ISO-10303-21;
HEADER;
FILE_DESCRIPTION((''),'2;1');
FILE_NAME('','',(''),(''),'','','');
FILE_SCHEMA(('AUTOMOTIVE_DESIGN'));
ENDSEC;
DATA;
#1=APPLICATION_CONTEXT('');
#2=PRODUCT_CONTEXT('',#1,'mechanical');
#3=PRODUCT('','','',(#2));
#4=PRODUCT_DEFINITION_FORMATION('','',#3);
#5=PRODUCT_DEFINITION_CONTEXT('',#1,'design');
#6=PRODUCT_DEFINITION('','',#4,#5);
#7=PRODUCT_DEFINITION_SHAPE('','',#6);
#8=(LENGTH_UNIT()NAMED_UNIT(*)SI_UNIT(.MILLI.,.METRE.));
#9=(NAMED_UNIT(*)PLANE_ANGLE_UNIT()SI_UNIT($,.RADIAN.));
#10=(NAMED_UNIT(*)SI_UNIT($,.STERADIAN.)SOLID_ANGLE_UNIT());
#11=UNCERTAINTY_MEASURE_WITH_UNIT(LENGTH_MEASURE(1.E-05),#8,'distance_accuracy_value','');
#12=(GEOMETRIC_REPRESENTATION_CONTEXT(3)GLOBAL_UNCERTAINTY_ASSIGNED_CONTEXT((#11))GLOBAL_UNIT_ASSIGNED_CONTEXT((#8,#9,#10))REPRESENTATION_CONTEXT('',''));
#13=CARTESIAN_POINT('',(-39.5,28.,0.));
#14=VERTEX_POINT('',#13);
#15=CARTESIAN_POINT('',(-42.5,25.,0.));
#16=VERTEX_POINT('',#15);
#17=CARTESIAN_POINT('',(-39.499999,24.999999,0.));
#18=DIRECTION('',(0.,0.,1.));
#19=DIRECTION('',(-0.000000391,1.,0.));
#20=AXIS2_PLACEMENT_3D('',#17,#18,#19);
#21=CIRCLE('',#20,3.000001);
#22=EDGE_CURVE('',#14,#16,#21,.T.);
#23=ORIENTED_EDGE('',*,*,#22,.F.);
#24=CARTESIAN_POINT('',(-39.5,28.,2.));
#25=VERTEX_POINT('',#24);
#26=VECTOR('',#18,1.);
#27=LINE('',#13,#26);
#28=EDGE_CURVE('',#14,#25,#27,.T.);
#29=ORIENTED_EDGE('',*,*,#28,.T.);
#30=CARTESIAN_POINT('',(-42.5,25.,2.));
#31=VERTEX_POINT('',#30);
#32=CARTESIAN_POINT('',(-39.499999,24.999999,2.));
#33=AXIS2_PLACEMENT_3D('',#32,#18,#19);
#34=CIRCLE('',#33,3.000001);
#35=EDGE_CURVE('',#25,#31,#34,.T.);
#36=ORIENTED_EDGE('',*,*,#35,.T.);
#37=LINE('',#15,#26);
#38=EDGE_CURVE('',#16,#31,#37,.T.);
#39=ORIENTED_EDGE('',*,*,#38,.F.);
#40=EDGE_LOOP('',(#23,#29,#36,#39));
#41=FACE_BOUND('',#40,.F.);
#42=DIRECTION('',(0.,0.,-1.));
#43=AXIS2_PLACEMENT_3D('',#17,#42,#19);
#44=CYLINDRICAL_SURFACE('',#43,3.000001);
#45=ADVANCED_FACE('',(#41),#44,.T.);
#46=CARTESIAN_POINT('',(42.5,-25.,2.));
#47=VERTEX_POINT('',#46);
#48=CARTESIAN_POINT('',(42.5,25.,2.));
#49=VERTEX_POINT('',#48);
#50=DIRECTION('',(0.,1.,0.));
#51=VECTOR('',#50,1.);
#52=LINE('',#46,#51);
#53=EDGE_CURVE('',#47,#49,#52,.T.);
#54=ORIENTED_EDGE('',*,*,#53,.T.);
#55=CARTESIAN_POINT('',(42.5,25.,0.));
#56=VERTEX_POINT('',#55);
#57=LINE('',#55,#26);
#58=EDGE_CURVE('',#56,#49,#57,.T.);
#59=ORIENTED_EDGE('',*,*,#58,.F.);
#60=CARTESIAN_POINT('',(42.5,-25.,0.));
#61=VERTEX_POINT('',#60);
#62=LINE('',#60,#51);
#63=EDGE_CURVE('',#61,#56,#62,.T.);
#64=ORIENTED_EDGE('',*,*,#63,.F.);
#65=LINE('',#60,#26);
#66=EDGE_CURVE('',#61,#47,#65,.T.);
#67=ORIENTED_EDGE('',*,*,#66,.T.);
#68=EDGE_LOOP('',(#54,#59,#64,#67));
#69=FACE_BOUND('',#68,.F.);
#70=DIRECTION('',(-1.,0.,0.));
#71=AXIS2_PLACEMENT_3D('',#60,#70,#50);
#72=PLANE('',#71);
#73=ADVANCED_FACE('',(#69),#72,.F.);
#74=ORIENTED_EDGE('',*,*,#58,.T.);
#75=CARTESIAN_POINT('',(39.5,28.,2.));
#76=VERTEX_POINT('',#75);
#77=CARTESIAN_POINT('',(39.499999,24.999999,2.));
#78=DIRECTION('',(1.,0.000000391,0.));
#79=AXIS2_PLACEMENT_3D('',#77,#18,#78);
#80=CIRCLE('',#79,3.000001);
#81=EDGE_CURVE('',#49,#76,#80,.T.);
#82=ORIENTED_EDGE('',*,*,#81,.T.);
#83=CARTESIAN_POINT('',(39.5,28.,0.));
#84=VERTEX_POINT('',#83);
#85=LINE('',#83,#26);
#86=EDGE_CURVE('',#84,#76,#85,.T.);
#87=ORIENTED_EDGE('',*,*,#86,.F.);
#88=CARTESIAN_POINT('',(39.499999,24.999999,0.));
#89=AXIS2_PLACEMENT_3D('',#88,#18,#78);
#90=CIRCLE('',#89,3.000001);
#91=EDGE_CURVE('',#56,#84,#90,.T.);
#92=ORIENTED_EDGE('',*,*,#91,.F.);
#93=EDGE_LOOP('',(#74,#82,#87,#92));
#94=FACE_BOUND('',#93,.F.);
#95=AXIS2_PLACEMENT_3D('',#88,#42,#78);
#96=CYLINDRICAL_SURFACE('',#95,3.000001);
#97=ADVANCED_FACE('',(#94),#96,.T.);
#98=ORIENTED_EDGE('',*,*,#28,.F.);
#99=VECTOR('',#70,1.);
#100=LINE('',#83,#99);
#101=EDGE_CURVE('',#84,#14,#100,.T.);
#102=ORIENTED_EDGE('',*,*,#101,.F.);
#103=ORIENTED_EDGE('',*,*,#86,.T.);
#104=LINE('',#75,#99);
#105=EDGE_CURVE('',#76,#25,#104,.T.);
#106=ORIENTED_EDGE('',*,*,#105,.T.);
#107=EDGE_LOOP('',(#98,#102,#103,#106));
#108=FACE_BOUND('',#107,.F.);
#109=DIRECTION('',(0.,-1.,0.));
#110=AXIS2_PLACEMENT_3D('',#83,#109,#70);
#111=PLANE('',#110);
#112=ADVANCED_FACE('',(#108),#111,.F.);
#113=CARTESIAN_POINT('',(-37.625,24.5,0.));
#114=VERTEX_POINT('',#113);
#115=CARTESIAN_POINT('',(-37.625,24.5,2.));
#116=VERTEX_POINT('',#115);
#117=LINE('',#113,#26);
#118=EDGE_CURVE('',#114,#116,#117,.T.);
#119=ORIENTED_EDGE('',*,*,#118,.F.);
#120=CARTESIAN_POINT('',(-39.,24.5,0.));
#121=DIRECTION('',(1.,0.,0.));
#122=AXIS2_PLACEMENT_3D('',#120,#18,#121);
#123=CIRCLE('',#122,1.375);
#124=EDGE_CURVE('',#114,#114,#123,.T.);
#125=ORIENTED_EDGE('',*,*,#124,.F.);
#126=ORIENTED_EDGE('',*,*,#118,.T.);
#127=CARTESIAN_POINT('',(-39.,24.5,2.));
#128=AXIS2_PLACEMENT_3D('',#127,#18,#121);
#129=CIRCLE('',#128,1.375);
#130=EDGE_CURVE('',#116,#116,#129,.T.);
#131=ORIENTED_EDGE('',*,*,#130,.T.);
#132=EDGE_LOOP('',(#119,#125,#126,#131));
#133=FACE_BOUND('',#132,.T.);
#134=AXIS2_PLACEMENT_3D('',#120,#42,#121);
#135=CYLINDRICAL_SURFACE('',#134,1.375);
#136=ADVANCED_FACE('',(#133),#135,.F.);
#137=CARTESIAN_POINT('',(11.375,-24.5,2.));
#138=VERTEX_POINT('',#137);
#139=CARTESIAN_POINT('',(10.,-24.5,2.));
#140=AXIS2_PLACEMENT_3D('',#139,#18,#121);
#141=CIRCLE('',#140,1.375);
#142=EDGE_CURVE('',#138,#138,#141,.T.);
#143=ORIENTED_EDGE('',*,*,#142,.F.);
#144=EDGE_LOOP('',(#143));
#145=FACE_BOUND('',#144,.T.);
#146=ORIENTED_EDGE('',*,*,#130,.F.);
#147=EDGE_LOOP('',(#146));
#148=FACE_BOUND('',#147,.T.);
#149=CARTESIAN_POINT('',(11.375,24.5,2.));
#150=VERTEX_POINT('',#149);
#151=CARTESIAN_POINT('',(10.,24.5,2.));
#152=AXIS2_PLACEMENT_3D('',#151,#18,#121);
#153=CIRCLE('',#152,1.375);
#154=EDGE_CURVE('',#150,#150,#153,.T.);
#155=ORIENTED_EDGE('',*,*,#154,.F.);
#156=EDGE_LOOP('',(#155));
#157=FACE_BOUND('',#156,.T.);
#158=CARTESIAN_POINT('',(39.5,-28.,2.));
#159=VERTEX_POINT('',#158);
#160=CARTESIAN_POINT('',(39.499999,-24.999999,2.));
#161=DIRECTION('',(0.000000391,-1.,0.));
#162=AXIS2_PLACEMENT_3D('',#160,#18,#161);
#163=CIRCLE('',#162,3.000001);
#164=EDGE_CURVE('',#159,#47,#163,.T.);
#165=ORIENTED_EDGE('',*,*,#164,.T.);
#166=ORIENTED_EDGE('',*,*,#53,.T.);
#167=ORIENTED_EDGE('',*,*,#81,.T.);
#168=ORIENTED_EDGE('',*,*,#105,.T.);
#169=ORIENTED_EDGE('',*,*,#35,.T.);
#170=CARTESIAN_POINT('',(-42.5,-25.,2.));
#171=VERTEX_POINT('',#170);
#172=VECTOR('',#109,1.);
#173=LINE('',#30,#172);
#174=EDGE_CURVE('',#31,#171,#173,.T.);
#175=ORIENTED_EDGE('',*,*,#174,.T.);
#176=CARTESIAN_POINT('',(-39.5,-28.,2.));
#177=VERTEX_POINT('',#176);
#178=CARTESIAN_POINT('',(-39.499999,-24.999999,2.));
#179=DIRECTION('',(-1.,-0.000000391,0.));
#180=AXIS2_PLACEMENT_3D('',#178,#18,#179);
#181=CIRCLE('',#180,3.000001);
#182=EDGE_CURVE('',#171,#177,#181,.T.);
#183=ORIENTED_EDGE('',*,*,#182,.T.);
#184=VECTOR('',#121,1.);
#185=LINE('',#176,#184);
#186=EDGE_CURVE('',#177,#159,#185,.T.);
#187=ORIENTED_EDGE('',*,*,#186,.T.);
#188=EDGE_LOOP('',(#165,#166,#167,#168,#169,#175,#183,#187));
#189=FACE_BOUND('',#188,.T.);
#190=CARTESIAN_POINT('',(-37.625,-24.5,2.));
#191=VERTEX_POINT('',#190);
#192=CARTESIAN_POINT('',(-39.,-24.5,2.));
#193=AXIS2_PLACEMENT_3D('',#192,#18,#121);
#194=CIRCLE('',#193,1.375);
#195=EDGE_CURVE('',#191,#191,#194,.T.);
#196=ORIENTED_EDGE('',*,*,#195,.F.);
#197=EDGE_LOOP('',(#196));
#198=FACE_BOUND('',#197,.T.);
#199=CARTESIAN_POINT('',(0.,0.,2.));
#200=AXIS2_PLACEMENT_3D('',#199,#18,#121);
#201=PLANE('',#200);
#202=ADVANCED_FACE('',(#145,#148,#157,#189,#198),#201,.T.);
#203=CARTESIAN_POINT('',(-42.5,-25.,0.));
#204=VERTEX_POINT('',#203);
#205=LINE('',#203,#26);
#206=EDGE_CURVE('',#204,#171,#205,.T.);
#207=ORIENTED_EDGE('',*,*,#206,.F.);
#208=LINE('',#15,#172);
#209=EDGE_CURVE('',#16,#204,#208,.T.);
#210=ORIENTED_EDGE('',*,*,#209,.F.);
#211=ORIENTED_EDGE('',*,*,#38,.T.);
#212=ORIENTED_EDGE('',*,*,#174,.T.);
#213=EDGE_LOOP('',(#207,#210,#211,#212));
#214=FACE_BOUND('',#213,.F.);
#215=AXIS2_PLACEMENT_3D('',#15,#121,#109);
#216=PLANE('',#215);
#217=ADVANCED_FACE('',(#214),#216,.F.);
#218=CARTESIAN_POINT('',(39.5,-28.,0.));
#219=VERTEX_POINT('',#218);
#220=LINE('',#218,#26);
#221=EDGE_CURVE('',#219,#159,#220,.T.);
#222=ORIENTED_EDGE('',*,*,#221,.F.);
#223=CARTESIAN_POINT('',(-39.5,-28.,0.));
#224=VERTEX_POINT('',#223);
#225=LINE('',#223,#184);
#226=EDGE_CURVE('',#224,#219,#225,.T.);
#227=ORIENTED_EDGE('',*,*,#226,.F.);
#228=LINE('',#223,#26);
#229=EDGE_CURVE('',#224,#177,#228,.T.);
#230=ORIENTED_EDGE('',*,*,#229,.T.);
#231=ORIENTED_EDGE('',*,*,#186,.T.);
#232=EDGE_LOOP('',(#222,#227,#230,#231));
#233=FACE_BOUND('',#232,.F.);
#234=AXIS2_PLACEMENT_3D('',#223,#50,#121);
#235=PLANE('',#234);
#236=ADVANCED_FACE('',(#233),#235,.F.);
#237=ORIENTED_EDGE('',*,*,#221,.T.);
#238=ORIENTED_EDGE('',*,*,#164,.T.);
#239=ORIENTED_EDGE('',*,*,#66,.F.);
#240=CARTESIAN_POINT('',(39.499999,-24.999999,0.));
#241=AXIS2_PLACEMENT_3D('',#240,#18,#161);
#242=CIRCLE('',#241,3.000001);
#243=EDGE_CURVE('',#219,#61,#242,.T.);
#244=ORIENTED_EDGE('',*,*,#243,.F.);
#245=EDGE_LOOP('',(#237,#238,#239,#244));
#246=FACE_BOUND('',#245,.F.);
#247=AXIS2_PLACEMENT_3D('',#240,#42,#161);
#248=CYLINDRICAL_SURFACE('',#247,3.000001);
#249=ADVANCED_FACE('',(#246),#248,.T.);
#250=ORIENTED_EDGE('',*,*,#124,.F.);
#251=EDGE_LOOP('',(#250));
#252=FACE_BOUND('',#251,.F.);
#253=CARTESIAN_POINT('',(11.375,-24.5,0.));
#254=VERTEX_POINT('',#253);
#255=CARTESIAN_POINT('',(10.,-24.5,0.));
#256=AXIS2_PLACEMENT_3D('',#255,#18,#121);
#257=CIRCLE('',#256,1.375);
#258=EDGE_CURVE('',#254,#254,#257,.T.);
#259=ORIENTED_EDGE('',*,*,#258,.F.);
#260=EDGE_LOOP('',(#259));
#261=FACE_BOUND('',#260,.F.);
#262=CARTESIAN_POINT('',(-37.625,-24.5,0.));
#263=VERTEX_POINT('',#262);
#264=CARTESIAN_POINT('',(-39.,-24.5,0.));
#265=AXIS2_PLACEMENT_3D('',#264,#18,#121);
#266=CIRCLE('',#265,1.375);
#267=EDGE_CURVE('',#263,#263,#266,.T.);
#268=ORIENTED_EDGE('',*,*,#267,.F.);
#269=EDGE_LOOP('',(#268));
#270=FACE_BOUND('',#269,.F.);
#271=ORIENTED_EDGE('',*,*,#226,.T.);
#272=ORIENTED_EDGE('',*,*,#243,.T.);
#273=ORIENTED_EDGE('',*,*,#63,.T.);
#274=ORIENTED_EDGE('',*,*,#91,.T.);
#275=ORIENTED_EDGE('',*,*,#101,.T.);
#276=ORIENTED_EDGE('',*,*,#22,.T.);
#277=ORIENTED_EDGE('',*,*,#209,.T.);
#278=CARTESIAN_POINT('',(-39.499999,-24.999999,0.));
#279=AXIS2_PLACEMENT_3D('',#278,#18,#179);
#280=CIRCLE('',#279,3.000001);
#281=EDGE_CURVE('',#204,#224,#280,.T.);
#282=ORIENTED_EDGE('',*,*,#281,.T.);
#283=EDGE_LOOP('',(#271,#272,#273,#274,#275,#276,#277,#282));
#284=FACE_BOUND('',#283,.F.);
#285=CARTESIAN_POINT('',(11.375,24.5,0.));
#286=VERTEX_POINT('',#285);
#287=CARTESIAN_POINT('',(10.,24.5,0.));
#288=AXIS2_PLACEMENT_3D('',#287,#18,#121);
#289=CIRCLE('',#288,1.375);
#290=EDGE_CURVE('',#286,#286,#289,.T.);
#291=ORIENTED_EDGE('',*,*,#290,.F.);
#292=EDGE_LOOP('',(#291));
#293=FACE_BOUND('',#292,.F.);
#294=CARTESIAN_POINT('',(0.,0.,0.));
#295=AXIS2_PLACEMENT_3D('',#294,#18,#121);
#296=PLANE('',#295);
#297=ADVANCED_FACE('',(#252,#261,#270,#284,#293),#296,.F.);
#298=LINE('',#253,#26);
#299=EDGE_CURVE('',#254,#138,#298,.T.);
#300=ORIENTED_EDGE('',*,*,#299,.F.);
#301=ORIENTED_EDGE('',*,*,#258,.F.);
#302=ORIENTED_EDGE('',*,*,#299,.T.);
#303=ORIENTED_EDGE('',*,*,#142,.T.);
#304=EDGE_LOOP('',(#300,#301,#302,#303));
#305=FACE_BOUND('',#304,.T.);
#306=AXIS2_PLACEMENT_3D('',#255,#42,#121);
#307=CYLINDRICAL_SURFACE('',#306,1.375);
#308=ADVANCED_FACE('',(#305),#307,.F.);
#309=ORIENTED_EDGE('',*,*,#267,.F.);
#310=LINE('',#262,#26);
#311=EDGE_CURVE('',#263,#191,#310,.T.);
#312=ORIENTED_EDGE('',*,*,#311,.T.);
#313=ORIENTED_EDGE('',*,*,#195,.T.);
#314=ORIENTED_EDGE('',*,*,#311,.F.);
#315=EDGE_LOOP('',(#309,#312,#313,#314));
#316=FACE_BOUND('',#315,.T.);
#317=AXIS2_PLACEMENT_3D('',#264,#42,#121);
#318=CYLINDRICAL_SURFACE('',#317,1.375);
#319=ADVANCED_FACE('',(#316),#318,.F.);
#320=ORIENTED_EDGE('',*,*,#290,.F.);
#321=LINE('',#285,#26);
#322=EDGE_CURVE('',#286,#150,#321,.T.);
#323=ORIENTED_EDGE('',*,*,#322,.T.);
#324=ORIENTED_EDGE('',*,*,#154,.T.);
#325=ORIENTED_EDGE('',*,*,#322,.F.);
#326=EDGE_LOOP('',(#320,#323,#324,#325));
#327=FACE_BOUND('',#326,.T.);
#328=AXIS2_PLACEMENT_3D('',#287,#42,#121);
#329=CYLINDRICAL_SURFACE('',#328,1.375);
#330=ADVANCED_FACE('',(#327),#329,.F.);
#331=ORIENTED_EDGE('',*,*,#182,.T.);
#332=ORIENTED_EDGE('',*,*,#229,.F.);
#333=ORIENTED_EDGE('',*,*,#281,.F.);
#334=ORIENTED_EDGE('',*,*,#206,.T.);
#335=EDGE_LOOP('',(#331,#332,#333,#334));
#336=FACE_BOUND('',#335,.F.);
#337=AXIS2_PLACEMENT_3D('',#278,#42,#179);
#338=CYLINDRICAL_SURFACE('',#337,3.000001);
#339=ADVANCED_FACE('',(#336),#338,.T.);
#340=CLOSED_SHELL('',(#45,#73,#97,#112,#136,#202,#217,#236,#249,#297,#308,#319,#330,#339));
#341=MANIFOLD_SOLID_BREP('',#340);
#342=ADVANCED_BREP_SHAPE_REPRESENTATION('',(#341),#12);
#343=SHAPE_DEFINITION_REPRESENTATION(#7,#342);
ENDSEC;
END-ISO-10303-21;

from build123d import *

# Parameters (mm, degrees)
F0_R     = 3.1
F0_R_2   = 1.375
F1_DEPTH = 2


with BuildPart() as f1:
    # F0 (on Top) → F1 (new body)
    with BuildSketch(Plane.XY):
        with BuildLine():
            Line((39.5, 28), (-39.5, 28))
            ThreePointArc((-39.5, 28), (-41.62132, 27.12132), (-42.5, 25))
            Line((-42.5, 25), (-42.5, -25))
            ThreePointArc((-42.5, -25), (-41.62132, -27.12132), (-39.5, -28))
            Line((-39.5, -28), (39.5, -28))
            ThreePointArc((39.5, -28), (41.62132, -27.12132), (42.5, -25))
            Line((42.5, -25), (42.5, 25))
            ThreePointArc((42.5, 25), (41.62132, 27.12132), (39.5, 28))
        make_face()
        with Locations((-39, -24.5)):
            Circle(F0_R, mode=Mode.SUBTRACT)
        with Locations((10, -24.5)):
            Circle(F0_R, mode=Mode.SUBTRACT)
        with Locations((-39, 24.5)):
            Circle(F0_R, mode=Mode.SUBTRACT)
        with Locations((10, 24.5)):
            Circle(F0_R, mode=Mode.SUBTRACT)
        with Locations((10, 24.5)):
            Circle(F0_R)
        with Locations((10, 24.5)):
            Circle(F0_R_2, mode=Mode.SUBTRACT)
        with Locations((10, -24.5)):
            Circle(F0_R)
        with Locations((10, -24.5)):
            Circle(F0_R_2, mode=Mode.SUBTRACT)
        with Locations((-39, -24.5)):
            Circle(F0_R)
        with Locations((-39, -24.5)):
            Circle(F0_R_2, mode=Mode.SUBTRACT)
        with Locations((-39, 24.5)):
            Circle(F0_R)
        with Locations((-39, 24.5)):
            Circle(F0_R_2, mode=Mode.SUBTRACT)
    extrude(amount=F1_DEPTH)


solid = f1.part
